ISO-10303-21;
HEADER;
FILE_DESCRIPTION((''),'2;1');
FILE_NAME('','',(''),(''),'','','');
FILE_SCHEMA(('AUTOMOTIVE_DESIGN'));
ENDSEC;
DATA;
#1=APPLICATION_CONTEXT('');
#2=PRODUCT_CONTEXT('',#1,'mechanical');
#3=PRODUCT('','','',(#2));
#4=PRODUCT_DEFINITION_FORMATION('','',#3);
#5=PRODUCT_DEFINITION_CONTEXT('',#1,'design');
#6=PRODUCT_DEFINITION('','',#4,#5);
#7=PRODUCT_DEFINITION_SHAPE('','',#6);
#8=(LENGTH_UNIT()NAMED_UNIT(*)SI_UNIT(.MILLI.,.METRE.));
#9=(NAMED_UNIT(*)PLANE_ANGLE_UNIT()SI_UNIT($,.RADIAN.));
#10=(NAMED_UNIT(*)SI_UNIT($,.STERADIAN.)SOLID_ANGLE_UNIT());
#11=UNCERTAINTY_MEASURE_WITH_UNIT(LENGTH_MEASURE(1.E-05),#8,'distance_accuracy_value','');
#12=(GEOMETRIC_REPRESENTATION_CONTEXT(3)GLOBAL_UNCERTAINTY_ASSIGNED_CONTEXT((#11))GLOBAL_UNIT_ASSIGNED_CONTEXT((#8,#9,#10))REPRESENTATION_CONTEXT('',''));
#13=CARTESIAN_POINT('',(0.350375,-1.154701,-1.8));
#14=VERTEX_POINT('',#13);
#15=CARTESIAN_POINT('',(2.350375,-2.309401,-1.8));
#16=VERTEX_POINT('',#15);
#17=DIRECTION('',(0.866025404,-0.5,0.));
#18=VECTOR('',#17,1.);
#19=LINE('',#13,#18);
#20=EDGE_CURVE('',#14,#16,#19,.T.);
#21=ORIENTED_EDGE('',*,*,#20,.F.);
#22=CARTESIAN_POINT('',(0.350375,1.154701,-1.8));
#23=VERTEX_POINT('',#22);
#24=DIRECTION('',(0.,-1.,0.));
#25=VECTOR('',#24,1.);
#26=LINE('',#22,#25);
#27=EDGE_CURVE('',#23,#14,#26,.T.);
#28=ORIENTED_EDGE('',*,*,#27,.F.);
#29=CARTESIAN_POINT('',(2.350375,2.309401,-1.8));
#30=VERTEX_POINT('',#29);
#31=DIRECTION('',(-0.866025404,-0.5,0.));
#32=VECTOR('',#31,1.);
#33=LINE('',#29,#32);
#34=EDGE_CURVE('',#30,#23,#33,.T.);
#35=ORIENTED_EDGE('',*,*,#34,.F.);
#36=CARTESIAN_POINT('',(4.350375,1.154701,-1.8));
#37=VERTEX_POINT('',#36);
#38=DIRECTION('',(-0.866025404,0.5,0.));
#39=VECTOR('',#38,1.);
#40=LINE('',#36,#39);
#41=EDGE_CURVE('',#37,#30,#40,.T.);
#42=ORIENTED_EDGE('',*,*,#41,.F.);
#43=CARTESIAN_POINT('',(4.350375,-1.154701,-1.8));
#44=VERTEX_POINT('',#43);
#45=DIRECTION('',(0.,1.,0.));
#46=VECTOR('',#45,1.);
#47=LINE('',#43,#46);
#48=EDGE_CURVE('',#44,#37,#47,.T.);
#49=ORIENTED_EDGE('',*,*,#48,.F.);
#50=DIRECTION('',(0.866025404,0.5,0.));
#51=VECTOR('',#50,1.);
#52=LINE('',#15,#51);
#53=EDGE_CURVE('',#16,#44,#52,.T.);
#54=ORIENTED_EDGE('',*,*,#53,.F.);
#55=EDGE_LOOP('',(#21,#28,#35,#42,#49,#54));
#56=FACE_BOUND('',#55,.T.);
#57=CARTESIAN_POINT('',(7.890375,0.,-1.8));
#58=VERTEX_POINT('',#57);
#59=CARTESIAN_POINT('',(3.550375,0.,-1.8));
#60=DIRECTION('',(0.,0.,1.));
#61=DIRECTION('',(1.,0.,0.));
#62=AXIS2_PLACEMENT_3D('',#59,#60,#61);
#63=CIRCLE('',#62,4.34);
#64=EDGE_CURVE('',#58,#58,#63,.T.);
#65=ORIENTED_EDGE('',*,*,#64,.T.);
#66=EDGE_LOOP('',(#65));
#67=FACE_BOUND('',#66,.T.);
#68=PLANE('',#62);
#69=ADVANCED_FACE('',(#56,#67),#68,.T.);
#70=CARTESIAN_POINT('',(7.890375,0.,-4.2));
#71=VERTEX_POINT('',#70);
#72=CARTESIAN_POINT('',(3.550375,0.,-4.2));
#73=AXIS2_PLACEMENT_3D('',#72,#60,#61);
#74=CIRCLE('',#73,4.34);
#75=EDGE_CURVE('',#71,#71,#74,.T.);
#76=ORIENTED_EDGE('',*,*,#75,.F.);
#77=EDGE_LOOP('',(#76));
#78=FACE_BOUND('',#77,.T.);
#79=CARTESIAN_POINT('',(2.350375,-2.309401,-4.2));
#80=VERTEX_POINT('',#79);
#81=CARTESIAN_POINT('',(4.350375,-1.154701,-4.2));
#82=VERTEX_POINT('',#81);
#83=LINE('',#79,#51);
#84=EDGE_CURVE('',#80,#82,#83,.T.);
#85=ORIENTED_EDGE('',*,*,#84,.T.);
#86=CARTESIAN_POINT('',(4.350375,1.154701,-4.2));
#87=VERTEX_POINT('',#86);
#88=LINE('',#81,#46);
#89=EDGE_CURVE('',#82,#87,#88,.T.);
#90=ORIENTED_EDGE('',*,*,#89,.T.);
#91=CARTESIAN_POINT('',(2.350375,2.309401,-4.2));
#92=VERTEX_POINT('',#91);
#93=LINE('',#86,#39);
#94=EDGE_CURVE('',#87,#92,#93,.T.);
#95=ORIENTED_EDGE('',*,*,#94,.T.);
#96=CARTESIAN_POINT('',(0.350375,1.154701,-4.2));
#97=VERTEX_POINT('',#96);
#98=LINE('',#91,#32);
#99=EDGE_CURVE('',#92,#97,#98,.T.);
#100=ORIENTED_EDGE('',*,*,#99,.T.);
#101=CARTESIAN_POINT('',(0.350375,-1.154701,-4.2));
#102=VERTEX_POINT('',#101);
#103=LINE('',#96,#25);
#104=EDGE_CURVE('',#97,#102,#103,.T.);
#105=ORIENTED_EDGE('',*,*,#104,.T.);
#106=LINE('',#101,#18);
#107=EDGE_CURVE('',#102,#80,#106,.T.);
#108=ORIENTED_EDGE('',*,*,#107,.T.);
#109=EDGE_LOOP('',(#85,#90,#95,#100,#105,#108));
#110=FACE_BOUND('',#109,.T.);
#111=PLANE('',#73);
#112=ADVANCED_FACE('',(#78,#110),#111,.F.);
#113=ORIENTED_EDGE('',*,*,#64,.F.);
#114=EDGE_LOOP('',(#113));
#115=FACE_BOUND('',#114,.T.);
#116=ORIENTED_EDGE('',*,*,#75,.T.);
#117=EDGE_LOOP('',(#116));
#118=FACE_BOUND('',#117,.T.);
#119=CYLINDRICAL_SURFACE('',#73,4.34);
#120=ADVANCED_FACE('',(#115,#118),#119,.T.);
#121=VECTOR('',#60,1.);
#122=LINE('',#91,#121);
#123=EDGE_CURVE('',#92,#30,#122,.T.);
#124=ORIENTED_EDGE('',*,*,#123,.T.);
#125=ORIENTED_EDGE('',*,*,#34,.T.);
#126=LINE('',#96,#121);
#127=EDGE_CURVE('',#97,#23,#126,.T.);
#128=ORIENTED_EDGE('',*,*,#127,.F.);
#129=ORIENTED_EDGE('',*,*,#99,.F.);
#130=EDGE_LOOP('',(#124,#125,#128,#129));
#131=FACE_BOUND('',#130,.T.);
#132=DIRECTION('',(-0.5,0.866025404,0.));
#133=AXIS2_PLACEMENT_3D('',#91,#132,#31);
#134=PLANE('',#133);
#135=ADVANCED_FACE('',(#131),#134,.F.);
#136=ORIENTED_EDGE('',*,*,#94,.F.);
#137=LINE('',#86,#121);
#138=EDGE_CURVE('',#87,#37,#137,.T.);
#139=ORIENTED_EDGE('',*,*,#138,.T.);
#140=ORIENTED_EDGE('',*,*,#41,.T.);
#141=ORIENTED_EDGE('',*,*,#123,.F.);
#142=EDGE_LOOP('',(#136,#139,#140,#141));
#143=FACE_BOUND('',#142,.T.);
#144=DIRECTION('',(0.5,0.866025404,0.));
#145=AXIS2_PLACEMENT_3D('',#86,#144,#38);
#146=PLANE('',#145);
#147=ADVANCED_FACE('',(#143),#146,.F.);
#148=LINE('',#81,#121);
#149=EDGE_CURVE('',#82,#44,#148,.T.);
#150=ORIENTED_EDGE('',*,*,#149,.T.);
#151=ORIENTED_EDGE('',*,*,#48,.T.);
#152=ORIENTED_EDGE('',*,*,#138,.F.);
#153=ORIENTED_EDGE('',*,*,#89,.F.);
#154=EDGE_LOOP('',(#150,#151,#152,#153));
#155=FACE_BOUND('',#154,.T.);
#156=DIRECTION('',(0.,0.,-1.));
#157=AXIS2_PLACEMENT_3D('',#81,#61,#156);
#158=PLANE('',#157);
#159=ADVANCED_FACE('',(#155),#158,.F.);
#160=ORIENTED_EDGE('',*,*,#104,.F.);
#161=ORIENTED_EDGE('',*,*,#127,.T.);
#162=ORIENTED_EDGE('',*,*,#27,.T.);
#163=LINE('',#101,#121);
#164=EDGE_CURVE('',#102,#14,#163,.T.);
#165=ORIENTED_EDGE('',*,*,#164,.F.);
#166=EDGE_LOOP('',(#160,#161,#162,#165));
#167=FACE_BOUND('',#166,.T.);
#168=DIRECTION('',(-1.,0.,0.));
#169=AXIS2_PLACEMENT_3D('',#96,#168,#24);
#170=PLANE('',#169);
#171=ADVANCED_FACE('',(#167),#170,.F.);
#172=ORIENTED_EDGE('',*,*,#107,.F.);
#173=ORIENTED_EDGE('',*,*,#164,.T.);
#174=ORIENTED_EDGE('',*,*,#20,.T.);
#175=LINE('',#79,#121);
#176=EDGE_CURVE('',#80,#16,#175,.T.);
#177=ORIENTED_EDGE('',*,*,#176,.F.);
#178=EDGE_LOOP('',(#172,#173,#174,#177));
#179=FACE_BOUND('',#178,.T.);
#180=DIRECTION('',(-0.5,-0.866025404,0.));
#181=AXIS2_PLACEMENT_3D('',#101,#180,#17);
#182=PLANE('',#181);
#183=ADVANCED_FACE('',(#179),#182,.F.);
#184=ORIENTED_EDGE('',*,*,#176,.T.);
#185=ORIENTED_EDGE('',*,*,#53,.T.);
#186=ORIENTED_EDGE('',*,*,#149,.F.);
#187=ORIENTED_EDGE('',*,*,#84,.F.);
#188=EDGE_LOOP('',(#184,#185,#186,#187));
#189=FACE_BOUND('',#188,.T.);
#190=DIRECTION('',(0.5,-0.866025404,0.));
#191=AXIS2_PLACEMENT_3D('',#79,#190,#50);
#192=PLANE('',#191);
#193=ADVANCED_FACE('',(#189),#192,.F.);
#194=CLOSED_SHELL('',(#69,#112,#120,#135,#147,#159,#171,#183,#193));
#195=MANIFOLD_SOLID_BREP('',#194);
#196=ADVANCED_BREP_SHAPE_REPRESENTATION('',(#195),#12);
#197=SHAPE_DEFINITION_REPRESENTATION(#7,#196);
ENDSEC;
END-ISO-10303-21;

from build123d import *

# Parameters (mm, degrees)
SKETCH1_R           = 10.85
BOSS_EXTRUDE1_DEPTH = 6
SCALE1_SCALE        = 0.4


with BuildPart() as part:
    # Sketch1 → Boss-Extrude1 (new body)
    with BuildSketch(Plane.XY):
        with Locations((3, 0)):
            Circle(SKETCH1_R)
        Polygon((0, 5.773502692), (-5, 2.886751346), (-5, -2.886751346), (0, -5.773502692), (5, -2.886751346), (5, 2.886751346), align=None, mode=Mode.SUBTRACT)
    extrude(amount=-BOSS_EXTRUDE1_DEPTH)


with BuildPart() as part_1:
    # Scale1: scaled about (3.917290958, 0, -3)
    add(part.part.scale(SCALE1_SCALE).moved(Location((2.350374575, 0, -1.8))))


solid = part_1.part
